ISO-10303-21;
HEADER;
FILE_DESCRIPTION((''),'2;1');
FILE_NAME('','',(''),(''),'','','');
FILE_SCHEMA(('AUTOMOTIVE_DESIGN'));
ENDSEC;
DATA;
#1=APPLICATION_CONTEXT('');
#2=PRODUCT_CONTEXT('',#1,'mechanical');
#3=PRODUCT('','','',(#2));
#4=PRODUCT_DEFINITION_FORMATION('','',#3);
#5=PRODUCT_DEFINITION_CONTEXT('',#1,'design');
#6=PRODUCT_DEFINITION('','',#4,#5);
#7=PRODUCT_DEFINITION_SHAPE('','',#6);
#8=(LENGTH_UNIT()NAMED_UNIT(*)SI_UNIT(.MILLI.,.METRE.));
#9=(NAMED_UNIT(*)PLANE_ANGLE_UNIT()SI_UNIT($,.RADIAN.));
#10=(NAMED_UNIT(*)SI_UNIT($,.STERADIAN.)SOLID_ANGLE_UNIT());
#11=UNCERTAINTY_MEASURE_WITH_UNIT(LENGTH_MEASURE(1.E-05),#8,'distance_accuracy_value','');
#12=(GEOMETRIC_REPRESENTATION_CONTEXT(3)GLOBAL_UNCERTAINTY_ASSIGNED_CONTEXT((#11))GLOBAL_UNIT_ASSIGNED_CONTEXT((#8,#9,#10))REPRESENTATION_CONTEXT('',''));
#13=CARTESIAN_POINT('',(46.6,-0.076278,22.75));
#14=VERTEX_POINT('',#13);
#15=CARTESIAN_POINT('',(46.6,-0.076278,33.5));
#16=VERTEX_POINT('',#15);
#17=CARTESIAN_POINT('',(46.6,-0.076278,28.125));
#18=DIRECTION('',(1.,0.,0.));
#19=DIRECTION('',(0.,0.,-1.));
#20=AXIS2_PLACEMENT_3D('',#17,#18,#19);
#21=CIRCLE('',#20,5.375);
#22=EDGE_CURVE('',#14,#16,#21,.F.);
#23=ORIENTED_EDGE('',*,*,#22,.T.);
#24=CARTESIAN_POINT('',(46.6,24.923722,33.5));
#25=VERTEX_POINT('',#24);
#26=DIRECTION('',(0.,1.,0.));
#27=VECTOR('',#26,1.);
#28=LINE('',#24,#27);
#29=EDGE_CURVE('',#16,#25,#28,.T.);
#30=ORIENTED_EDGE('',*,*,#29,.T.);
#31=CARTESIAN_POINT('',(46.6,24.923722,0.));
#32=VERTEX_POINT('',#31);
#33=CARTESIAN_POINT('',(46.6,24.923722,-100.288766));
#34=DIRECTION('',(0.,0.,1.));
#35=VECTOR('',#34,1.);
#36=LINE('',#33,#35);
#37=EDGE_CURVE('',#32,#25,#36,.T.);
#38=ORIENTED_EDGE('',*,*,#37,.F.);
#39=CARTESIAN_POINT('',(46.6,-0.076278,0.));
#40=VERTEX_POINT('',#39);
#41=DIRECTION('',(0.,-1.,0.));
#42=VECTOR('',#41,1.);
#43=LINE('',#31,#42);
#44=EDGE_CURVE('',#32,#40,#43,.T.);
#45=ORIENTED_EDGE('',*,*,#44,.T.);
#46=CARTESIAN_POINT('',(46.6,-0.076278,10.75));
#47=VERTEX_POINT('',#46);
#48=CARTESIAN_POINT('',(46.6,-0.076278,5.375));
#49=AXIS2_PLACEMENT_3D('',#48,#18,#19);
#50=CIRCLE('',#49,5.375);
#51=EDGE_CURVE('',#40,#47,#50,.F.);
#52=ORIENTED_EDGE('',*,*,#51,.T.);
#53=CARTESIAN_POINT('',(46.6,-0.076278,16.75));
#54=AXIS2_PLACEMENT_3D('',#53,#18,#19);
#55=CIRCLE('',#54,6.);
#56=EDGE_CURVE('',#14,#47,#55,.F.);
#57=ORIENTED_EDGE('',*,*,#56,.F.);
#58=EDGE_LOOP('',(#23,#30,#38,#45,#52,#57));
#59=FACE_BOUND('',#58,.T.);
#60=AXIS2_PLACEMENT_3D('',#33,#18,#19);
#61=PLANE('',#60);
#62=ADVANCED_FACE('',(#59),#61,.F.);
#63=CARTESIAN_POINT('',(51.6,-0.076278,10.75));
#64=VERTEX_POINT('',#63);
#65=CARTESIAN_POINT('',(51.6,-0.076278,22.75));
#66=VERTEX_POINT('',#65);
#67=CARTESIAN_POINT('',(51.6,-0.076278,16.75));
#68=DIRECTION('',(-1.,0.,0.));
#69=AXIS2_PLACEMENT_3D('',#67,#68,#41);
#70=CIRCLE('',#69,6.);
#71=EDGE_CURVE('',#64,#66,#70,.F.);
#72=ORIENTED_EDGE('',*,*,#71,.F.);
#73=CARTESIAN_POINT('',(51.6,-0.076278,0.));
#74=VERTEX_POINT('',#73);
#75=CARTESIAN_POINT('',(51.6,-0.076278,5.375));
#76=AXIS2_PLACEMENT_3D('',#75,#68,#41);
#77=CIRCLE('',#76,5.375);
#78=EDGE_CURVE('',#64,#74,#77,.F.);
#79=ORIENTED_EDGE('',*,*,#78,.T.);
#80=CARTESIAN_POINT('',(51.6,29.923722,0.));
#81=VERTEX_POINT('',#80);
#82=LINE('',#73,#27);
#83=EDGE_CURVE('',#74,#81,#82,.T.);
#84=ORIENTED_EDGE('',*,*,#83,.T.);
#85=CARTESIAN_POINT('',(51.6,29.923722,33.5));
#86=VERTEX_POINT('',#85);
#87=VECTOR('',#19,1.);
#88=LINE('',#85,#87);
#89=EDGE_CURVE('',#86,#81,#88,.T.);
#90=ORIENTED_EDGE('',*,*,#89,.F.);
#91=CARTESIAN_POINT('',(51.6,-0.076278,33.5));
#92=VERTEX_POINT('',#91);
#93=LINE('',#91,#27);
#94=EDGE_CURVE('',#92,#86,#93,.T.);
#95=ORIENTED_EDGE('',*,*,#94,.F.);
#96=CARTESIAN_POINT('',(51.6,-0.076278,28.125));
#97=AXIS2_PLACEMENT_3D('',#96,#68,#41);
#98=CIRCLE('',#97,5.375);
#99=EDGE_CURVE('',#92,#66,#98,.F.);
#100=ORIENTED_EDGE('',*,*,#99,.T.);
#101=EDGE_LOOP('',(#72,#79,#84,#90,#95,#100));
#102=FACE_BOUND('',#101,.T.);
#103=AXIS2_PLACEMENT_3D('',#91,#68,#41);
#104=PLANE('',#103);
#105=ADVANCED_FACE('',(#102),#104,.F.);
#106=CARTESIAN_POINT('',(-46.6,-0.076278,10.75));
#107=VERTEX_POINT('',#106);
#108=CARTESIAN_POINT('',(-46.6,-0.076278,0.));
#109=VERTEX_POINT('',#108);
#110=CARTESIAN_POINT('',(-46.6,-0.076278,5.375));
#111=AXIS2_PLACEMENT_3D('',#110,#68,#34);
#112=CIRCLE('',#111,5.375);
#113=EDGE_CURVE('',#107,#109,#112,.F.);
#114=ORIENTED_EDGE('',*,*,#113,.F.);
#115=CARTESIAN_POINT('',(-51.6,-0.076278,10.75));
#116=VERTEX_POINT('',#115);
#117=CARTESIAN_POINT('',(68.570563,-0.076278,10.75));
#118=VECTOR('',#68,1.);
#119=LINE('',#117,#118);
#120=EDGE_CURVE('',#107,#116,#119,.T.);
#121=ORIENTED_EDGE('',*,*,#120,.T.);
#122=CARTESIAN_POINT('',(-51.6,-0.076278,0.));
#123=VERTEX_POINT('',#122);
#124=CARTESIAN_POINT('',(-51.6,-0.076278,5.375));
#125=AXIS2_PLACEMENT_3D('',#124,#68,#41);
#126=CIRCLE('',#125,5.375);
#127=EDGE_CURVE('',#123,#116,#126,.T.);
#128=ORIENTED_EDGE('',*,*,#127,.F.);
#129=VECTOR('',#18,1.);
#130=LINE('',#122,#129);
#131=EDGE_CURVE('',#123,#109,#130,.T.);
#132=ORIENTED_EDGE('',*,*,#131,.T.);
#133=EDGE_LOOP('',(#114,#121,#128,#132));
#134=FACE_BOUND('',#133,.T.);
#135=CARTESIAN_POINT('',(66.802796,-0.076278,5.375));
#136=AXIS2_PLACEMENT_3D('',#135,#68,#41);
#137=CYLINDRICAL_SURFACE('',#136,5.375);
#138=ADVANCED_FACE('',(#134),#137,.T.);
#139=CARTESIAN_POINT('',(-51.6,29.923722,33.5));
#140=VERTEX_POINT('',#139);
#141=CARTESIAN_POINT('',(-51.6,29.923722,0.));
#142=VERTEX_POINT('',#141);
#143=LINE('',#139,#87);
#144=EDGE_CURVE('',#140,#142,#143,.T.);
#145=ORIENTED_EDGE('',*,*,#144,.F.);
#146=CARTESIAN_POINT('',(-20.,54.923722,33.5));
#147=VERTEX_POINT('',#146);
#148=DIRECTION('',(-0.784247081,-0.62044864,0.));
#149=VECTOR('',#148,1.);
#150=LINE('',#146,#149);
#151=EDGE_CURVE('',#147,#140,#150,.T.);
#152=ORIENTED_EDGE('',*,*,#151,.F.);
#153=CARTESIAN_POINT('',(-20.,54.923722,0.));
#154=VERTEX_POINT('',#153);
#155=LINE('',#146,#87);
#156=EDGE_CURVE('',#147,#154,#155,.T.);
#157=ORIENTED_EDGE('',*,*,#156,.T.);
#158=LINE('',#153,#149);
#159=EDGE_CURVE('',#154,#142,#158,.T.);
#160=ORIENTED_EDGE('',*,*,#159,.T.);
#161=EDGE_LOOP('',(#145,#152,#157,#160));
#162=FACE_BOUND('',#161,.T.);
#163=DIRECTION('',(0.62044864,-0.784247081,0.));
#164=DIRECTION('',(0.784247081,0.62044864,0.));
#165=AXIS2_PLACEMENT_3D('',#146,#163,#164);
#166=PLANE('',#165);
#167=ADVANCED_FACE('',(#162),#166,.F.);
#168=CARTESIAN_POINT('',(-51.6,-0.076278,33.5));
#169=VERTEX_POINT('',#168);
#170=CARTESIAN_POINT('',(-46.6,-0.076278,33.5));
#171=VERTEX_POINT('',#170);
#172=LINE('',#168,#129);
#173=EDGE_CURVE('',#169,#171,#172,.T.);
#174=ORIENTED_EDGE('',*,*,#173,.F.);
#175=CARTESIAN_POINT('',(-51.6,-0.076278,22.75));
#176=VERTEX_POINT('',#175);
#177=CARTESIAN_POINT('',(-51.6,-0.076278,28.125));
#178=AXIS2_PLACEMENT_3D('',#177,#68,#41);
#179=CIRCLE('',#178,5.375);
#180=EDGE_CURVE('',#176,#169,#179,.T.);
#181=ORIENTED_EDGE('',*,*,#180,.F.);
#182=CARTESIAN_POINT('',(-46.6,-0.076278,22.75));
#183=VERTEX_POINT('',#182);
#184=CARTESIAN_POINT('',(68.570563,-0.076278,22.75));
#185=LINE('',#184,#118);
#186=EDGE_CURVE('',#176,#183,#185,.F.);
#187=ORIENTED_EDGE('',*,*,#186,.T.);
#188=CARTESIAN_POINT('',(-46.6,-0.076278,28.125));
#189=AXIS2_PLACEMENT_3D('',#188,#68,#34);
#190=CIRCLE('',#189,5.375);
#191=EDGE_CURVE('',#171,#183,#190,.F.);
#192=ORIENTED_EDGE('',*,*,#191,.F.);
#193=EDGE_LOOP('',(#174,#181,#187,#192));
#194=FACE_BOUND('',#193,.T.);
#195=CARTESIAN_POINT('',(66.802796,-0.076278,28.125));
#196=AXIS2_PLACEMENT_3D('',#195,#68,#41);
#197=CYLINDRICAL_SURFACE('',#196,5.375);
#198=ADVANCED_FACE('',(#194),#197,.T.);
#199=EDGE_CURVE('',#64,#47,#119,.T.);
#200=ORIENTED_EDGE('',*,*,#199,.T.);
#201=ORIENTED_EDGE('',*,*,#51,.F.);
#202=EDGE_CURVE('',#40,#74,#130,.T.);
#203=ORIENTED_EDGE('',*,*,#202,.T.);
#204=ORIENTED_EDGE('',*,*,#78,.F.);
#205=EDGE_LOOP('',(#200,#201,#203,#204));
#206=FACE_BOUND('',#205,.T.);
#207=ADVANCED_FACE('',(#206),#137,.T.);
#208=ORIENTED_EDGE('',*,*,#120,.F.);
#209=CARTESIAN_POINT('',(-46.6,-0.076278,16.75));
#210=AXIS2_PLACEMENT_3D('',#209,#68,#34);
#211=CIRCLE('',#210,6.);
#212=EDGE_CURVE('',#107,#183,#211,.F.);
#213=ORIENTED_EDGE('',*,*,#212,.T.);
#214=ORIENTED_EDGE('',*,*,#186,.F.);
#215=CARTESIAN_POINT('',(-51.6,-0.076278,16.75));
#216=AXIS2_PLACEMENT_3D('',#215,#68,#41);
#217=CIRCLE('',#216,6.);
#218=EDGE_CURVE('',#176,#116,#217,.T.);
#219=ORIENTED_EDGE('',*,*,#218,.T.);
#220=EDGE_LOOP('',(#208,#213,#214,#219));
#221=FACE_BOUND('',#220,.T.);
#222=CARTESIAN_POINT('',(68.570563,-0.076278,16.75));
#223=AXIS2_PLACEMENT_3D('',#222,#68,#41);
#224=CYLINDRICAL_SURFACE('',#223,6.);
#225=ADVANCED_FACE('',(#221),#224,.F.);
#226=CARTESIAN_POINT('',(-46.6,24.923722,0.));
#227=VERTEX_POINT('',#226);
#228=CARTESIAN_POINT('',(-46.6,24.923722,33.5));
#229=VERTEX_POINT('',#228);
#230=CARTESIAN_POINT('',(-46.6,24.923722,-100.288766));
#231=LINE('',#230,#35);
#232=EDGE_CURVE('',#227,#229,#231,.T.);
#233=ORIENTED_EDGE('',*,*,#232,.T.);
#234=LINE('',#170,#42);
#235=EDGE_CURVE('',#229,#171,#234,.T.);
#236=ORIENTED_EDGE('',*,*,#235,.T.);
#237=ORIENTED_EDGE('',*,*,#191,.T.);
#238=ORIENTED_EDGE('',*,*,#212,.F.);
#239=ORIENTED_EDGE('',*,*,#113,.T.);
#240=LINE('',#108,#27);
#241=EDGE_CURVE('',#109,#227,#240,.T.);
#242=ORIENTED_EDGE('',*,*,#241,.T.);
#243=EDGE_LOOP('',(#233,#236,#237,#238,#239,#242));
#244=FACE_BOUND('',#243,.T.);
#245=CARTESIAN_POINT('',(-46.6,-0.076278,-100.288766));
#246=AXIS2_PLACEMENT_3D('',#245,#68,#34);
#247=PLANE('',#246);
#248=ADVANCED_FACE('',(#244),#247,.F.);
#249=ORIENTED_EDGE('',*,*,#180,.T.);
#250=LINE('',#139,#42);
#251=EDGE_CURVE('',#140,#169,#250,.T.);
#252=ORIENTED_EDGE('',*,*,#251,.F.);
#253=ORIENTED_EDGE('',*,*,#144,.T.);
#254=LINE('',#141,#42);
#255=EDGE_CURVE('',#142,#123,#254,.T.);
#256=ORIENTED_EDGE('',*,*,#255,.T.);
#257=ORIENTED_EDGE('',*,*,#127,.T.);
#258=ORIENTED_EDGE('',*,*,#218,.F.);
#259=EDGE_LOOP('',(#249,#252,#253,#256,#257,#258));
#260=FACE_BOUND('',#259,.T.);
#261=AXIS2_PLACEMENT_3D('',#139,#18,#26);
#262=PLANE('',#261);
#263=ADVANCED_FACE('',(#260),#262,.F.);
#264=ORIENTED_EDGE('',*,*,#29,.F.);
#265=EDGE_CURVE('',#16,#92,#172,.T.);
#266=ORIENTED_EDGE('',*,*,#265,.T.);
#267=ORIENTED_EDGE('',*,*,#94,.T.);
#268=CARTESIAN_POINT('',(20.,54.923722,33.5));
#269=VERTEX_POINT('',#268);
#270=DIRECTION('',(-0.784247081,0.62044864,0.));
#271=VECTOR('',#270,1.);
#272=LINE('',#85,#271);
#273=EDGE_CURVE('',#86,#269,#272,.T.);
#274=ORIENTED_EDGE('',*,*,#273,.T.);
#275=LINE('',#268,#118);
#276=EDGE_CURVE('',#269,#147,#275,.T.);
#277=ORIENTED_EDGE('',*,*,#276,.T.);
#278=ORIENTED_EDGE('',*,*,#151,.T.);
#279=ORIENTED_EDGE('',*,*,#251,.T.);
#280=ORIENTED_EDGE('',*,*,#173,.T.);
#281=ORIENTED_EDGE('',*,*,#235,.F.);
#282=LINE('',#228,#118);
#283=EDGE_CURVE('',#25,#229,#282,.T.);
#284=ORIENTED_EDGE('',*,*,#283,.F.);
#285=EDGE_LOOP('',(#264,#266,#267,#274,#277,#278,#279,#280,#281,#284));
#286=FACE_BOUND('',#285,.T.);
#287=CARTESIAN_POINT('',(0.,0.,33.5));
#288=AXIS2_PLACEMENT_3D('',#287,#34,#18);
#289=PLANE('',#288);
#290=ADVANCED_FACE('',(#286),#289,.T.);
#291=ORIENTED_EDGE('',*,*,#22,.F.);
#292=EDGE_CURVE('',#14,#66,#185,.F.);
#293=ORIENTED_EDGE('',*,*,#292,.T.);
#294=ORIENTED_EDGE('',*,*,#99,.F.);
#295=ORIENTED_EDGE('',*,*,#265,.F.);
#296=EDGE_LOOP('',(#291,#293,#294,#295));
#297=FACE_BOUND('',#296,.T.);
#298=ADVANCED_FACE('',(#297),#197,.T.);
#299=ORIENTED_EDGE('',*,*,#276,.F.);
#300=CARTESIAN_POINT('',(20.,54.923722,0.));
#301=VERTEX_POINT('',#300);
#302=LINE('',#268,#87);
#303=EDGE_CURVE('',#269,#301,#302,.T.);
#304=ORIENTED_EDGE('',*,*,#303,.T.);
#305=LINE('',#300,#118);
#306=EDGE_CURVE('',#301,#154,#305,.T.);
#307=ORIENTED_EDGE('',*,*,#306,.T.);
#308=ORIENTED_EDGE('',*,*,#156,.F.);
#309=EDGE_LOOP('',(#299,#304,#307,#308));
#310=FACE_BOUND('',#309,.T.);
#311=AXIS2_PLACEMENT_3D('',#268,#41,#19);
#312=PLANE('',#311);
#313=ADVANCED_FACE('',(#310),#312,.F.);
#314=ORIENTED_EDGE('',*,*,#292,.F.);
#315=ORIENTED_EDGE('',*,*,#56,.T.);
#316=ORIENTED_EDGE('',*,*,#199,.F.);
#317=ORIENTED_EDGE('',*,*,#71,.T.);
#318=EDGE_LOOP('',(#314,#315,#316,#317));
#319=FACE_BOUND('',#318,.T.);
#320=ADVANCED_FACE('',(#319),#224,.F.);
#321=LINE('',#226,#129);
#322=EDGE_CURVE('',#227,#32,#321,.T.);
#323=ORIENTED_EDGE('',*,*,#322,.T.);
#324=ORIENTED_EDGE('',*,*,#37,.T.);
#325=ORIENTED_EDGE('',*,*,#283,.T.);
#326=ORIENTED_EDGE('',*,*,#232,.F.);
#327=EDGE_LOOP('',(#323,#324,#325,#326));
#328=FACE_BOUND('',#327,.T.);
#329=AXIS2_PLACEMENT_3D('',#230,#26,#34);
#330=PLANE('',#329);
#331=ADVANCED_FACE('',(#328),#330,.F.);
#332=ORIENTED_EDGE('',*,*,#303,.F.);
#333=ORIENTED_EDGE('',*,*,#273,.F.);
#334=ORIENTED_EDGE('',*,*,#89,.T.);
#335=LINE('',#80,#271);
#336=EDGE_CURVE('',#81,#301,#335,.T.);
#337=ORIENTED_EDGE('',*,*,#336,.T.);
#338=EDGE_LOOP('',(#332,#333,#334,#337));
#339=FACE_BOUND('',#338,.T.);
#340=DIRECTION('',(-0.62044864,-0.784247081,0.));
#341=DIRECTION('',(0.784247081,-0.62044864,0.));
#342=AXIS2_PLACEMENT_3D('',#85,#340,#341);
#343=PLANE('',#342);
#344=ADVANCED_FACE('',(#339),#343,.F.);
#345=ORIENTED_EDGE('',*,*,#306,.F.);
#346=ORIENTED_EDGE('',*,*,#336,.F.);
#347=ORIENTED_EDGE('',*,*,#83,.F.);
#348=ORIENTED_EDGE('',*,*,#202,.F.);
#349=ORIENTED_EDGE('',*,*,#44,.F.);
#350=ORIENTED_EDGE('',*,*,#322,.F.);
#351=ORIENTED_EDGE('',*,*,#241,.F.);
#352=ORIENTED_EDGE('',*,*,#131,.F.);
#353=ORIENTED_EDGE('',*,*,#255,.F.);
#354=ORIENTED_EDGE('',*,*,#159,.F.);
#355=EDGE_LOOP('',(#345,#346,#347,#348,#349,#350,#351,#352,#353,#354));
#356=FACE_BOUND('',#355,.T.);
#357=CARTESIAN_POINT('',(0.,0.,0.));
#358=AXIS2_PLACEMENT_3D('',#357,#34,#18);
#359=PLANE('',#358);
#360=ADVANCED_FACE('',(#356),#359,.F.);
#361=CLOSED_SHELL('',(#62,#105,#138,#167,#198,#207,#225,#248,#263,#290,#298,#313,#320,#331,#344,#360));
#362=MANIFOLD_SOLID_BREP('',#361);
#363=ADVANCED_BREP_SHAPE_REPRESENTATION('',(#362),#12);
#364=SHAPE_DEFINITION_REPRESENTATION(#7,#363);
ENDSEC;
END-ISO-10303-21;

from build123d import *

# Parameters (mm, degrees)
EXTRUDE_1_DEPTH     = 33.5
SKETCH_6_R          = 6
CUT_EXTRUDE_2_DEPTH = 103.2
SKETCH_7_R          = 5.375
EXTRUDE_3_DEPTH     = 103.2
CUT_EXTRUDE_3_REACH = 84.471


with BuildPart() as part:
    # 草图1 → 凸台-拉伸1 (new body)
    with BuildSketch(Plane.XY):
        Polygon((51.6, -0.076277531), (51.6, 29.923722469), (20, 54.923722469), (-20, 54.923722469), (-51.6, 29.923722469), (-51.6, -0.076277531), align=None)
    extrude(amount=EXTRUDE_1_DEPTH)

    # 草图6 → 切除-拉伸2 (cut)
    with BuildSketch(Plane.ZY.offset(51.6)):
        with Locations((16.75, -0.076277531)):
            Circle(SKETCH_6_R)
    extrude(amount=-CUT_EXTRUDE_2_DEPTH, mode=Mode.SUBTRACT)

    # 草图7 → 凸台-拉伸3 (add)
    with BuildSketch(Plane.ZY.offset(51.6)):
        with Locations((5.375, -0.076277531)):
            Circle(SKETCH_7_R)
        with Locations((28.125, -0.076277531)):
            Circle(SKETCH_7_R)
    extrude(amount=-EXTRUDE_3_DEPTH)

    # 切除-拉伸3: up to this face of the body (flat: up to its plane)
    cut_extrude_3_end = Plane(part.part.faces().sort_by_distance((0, 24.324732157, 0))[0])
    # 草图8 → 切除-拉伸3 (cut, up to the picked face)
    with BuildSketch(Plane.XY.offset(33.5), mode=Mode.PRIVATE) as cut_extrude_3_sk1:
        Polygon((-46.6, -0.076277531), (-46.6, 24.923722469), (46.6, 24.923722469), (46.6, -0.076277531), (46.6, -12.111349377), (-46.6, -12.111349377), align=None)
    cut_extrude_3_tool1 = split(extrude(cut_extrude_3_sk1.sketch, amount=-CUT_EXTRUDE_3_REACH, mode=Mode.PRIVATE), bisect_by=cut_extrude_3_end, keep=Keep.BOTH, mode=Mode.PRIVATE)
    add(cut_extrude_3_tool1.solids().sort_by(Axis((0, 6.406187, 33.5), (0, 0, -1)))[0], mode=Mode.SUBTRACT)


solid = part.part
